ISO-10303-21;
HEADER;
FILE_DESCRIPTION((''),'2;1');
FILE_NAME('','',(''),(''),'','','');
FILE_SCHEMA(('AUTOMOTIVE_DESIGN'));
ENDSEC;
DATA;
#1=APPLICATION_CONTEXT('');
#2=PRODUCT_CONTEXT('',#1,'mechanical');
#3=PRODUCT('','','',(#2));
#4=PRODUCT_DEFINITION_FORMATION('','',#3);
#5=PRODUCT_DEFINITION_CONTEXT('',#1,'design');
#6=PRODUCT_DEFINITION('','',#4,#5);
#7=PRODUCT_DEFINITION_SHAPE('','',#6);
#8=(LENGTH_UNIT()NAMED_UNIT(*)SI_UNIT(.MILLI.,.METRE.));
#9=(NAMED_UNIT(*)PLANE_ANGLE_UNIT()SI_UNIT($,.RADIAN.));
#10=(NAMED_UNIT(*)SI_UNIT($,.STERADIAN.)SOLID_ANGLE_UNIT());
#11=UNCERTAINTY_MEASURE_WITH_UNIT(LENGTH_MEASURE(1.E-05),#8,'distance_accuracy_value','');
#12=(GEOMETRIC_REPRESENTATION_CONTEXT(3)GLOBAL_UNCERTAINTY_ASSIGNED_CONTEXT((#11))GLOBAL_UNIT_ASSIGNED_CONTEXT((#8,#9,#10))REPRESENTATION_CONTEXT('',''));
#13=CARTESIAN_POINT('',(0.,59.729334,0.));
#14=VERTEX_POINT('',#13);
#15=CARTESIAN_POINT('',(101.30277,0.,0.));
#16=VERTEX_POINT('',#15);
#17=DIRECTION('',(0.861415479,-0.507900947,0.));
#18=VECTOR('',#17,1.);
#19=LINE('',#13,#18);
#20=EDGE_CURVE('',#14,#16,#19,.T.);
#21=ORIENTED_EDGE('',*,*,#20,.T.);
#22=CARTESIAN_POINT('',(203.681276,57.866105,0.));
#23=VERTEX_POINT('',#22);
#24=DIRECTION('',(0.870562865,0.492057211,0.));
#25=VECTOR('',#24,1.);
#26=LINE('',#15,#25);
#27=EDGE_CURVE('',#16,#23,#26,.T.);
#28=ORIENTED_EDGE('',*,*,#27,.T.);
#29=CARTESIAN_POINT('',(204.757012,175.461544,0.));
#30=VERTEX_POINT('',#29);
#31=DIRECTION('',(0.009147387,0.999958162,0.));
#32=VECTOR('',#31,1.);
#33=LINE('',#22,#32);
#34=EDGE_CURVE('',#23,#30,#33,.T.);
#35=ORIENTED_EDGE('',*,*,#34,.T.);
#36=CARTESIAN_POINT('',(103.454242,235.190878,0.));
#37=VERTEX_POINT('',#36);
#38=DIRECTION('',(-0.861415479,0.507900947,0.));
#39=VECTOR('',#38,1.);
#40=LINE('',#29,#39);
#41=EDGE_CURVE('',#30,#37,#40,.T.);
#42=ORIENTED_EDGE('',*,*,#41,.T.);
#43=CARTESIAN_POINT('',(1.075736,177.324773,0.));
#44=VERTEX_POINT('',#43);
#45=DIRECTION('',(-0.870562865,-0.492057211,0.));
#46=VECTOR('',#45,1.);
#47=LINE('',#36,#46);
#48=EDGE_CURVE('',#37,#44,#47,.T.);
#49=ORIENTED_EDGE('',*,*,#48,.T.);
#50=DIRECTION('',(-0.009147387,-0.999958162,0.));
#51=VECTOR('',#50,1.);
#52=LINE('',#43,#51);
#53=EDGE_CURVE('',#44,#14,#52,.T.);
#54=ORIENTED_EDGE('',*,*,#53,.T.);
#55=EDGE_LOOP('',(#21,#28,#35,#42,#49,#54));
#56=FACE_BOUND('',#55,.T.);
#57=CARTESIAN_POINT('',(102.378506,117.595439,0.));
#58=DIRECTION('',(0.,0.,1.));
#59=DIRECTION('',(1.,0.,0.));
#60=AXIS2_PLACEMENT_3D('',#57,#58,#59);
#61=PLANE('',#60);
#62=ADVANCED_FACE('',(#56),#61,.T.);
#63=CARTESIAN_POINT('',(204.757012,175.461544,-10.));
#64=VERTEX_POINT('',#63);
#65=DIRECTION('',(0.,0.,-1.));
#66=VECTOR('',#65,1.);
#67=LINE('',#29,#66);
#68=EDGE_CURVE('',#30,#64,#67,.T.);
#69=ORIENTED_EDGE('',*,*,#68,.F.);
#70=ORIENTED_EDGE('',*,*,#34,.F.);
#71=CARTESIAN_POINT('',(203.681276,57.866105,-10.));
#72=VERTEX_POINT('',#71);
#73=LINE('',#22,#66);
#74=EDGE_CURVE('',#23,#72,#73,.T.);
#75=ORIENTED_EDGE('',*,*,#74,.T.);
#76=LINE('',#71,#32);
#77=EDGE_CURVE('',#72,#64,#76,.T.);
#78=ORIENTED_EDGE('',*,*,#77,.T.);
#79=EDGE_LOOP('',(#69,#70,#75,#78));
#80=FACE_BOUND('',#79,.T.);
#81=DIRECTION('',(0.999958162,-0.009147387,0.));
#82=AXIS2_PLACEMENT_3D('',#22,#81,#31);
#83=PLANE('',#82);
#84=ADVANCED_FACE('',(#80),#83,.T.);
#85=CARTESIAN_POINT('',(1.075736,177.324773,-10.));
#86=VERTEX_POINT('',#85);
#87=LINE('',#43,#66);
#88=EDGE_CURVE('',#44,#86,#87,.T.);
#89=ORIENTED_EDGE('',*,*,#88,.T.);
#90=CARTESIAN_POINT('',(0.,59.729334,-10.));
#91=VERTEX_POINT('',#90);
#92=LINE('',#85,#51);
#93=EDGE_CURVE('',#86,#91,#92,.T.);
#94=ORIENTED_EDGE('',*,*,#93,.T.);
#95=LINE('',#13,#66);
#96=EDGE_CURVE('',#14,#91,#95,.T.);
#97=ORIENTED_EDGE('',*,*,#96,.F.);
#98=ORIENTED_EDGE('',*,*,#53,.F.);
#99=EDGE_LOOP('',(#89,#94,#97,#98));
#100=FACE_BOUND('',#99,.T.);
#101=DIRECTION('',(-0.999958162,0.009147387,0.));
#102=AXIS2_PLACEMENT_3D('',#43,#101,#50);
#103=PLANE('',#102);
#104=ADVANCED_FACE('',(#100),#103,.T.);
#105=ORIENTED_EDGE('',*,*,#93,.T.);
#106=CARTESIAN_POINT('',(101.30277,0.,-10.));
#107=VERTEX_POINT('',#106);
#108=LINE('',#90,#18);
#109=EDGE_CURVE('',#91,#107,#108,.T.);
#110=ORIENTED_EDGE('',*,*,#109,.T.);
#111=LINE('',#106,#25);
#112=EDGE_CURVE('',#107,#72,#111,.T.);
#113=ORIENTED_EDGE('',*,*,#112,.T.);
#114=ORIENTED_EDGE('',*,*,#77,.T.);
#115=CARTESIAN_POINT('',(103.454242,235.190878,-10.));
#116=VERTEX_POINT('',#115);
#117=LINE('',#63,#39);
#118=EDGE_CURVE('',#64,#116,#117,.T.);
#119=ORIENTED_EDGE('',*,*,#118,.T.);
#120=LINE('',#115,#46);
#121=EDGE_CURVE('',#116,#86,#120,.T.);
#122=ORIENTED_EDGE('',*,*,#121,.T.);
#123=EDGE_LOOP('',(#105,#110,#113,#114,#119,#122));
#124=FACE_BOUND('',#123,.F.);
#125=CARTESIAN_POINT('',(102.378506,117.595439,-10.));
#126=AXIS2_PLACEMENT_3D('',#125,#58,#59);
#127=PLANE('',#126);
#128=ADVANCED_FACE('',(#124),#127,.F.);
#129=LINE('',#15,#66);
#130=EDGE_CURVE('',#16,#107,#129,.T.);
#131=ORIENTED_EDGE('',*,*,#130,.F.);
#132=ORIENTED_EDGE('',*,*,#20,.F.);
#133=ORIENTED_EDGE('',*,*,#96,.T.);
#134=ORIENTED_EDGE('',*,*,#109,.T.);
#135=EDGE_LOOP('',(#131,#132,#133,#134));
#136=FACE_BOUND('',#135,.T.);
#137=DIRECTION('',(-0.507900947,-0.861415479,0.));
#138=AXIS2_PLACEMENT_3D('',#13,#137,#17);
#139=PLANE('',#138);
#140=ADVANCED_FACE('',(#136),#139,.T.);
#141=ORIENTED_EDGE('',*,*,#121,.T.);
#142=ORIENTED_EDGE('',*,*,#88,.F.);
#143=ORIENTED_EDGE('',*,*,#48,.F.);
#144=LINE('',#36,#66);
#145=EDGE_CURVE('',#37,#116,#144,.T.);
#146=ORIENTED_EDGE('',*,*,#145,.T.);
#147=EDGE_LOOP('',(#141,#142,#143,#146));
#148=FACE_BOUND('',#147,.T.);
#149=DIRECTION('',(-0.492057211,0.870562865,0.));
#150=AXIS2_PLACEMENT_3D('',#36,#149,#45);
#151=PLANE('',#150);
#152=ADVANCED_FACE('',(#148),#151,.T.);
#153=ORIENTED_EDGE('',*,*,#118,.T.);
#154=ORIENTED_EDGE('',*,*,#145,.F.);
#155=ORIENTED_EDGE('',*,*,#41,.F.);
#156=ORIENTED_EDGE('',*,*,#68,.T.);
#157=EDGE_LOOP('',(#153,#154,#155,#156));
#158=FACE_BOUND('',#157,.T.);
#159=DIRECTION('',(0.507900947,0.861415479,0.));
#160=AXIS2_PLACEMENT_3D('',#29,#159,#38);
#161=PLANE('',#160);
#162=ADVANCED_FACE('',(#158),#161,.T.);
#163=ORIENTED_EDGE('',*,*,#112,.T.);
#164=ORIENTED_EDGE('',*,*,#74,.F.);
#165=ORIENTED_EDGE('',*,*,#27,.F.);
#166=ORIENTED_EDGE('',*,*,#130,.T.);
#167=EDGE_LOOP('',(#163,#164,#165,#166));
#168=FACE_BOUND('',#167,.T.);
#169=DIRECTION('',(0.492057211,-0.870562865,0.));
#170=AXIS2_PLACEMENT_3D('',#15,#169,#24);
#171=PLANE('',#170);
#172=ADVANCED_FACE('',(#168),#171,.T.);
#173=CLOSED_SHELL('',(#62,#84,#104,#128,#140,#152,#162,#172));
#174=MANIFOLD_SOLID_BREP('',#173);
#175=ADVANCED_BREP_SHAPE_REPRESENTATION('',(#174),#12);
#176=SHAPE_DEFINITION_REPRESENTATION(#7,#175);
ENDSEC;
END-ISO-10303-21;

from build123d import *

# Parameters (mm, degrees)
PAD013_DEPTH = 10


with BuildPart() as part:
    # Sketch013 → Pad013 (new body)
    with BuildSketch(Plane.XY):
        Polygon((40.648041, 7.960721), (-60.654729, 67.690055), (-163.033235, 9.82395), (-164.108971, -107.771489), (-62.806201, -167.500823), (39.572305, -109.634718), align=None)
    extrude(amount=-PAD013_DEPTH)


with BuildPart() as part_1:
    # Body013 placement: moved
    add(part.part.moved(Location((164.108971, 167.500823, 0))))


solid = part_1.part
